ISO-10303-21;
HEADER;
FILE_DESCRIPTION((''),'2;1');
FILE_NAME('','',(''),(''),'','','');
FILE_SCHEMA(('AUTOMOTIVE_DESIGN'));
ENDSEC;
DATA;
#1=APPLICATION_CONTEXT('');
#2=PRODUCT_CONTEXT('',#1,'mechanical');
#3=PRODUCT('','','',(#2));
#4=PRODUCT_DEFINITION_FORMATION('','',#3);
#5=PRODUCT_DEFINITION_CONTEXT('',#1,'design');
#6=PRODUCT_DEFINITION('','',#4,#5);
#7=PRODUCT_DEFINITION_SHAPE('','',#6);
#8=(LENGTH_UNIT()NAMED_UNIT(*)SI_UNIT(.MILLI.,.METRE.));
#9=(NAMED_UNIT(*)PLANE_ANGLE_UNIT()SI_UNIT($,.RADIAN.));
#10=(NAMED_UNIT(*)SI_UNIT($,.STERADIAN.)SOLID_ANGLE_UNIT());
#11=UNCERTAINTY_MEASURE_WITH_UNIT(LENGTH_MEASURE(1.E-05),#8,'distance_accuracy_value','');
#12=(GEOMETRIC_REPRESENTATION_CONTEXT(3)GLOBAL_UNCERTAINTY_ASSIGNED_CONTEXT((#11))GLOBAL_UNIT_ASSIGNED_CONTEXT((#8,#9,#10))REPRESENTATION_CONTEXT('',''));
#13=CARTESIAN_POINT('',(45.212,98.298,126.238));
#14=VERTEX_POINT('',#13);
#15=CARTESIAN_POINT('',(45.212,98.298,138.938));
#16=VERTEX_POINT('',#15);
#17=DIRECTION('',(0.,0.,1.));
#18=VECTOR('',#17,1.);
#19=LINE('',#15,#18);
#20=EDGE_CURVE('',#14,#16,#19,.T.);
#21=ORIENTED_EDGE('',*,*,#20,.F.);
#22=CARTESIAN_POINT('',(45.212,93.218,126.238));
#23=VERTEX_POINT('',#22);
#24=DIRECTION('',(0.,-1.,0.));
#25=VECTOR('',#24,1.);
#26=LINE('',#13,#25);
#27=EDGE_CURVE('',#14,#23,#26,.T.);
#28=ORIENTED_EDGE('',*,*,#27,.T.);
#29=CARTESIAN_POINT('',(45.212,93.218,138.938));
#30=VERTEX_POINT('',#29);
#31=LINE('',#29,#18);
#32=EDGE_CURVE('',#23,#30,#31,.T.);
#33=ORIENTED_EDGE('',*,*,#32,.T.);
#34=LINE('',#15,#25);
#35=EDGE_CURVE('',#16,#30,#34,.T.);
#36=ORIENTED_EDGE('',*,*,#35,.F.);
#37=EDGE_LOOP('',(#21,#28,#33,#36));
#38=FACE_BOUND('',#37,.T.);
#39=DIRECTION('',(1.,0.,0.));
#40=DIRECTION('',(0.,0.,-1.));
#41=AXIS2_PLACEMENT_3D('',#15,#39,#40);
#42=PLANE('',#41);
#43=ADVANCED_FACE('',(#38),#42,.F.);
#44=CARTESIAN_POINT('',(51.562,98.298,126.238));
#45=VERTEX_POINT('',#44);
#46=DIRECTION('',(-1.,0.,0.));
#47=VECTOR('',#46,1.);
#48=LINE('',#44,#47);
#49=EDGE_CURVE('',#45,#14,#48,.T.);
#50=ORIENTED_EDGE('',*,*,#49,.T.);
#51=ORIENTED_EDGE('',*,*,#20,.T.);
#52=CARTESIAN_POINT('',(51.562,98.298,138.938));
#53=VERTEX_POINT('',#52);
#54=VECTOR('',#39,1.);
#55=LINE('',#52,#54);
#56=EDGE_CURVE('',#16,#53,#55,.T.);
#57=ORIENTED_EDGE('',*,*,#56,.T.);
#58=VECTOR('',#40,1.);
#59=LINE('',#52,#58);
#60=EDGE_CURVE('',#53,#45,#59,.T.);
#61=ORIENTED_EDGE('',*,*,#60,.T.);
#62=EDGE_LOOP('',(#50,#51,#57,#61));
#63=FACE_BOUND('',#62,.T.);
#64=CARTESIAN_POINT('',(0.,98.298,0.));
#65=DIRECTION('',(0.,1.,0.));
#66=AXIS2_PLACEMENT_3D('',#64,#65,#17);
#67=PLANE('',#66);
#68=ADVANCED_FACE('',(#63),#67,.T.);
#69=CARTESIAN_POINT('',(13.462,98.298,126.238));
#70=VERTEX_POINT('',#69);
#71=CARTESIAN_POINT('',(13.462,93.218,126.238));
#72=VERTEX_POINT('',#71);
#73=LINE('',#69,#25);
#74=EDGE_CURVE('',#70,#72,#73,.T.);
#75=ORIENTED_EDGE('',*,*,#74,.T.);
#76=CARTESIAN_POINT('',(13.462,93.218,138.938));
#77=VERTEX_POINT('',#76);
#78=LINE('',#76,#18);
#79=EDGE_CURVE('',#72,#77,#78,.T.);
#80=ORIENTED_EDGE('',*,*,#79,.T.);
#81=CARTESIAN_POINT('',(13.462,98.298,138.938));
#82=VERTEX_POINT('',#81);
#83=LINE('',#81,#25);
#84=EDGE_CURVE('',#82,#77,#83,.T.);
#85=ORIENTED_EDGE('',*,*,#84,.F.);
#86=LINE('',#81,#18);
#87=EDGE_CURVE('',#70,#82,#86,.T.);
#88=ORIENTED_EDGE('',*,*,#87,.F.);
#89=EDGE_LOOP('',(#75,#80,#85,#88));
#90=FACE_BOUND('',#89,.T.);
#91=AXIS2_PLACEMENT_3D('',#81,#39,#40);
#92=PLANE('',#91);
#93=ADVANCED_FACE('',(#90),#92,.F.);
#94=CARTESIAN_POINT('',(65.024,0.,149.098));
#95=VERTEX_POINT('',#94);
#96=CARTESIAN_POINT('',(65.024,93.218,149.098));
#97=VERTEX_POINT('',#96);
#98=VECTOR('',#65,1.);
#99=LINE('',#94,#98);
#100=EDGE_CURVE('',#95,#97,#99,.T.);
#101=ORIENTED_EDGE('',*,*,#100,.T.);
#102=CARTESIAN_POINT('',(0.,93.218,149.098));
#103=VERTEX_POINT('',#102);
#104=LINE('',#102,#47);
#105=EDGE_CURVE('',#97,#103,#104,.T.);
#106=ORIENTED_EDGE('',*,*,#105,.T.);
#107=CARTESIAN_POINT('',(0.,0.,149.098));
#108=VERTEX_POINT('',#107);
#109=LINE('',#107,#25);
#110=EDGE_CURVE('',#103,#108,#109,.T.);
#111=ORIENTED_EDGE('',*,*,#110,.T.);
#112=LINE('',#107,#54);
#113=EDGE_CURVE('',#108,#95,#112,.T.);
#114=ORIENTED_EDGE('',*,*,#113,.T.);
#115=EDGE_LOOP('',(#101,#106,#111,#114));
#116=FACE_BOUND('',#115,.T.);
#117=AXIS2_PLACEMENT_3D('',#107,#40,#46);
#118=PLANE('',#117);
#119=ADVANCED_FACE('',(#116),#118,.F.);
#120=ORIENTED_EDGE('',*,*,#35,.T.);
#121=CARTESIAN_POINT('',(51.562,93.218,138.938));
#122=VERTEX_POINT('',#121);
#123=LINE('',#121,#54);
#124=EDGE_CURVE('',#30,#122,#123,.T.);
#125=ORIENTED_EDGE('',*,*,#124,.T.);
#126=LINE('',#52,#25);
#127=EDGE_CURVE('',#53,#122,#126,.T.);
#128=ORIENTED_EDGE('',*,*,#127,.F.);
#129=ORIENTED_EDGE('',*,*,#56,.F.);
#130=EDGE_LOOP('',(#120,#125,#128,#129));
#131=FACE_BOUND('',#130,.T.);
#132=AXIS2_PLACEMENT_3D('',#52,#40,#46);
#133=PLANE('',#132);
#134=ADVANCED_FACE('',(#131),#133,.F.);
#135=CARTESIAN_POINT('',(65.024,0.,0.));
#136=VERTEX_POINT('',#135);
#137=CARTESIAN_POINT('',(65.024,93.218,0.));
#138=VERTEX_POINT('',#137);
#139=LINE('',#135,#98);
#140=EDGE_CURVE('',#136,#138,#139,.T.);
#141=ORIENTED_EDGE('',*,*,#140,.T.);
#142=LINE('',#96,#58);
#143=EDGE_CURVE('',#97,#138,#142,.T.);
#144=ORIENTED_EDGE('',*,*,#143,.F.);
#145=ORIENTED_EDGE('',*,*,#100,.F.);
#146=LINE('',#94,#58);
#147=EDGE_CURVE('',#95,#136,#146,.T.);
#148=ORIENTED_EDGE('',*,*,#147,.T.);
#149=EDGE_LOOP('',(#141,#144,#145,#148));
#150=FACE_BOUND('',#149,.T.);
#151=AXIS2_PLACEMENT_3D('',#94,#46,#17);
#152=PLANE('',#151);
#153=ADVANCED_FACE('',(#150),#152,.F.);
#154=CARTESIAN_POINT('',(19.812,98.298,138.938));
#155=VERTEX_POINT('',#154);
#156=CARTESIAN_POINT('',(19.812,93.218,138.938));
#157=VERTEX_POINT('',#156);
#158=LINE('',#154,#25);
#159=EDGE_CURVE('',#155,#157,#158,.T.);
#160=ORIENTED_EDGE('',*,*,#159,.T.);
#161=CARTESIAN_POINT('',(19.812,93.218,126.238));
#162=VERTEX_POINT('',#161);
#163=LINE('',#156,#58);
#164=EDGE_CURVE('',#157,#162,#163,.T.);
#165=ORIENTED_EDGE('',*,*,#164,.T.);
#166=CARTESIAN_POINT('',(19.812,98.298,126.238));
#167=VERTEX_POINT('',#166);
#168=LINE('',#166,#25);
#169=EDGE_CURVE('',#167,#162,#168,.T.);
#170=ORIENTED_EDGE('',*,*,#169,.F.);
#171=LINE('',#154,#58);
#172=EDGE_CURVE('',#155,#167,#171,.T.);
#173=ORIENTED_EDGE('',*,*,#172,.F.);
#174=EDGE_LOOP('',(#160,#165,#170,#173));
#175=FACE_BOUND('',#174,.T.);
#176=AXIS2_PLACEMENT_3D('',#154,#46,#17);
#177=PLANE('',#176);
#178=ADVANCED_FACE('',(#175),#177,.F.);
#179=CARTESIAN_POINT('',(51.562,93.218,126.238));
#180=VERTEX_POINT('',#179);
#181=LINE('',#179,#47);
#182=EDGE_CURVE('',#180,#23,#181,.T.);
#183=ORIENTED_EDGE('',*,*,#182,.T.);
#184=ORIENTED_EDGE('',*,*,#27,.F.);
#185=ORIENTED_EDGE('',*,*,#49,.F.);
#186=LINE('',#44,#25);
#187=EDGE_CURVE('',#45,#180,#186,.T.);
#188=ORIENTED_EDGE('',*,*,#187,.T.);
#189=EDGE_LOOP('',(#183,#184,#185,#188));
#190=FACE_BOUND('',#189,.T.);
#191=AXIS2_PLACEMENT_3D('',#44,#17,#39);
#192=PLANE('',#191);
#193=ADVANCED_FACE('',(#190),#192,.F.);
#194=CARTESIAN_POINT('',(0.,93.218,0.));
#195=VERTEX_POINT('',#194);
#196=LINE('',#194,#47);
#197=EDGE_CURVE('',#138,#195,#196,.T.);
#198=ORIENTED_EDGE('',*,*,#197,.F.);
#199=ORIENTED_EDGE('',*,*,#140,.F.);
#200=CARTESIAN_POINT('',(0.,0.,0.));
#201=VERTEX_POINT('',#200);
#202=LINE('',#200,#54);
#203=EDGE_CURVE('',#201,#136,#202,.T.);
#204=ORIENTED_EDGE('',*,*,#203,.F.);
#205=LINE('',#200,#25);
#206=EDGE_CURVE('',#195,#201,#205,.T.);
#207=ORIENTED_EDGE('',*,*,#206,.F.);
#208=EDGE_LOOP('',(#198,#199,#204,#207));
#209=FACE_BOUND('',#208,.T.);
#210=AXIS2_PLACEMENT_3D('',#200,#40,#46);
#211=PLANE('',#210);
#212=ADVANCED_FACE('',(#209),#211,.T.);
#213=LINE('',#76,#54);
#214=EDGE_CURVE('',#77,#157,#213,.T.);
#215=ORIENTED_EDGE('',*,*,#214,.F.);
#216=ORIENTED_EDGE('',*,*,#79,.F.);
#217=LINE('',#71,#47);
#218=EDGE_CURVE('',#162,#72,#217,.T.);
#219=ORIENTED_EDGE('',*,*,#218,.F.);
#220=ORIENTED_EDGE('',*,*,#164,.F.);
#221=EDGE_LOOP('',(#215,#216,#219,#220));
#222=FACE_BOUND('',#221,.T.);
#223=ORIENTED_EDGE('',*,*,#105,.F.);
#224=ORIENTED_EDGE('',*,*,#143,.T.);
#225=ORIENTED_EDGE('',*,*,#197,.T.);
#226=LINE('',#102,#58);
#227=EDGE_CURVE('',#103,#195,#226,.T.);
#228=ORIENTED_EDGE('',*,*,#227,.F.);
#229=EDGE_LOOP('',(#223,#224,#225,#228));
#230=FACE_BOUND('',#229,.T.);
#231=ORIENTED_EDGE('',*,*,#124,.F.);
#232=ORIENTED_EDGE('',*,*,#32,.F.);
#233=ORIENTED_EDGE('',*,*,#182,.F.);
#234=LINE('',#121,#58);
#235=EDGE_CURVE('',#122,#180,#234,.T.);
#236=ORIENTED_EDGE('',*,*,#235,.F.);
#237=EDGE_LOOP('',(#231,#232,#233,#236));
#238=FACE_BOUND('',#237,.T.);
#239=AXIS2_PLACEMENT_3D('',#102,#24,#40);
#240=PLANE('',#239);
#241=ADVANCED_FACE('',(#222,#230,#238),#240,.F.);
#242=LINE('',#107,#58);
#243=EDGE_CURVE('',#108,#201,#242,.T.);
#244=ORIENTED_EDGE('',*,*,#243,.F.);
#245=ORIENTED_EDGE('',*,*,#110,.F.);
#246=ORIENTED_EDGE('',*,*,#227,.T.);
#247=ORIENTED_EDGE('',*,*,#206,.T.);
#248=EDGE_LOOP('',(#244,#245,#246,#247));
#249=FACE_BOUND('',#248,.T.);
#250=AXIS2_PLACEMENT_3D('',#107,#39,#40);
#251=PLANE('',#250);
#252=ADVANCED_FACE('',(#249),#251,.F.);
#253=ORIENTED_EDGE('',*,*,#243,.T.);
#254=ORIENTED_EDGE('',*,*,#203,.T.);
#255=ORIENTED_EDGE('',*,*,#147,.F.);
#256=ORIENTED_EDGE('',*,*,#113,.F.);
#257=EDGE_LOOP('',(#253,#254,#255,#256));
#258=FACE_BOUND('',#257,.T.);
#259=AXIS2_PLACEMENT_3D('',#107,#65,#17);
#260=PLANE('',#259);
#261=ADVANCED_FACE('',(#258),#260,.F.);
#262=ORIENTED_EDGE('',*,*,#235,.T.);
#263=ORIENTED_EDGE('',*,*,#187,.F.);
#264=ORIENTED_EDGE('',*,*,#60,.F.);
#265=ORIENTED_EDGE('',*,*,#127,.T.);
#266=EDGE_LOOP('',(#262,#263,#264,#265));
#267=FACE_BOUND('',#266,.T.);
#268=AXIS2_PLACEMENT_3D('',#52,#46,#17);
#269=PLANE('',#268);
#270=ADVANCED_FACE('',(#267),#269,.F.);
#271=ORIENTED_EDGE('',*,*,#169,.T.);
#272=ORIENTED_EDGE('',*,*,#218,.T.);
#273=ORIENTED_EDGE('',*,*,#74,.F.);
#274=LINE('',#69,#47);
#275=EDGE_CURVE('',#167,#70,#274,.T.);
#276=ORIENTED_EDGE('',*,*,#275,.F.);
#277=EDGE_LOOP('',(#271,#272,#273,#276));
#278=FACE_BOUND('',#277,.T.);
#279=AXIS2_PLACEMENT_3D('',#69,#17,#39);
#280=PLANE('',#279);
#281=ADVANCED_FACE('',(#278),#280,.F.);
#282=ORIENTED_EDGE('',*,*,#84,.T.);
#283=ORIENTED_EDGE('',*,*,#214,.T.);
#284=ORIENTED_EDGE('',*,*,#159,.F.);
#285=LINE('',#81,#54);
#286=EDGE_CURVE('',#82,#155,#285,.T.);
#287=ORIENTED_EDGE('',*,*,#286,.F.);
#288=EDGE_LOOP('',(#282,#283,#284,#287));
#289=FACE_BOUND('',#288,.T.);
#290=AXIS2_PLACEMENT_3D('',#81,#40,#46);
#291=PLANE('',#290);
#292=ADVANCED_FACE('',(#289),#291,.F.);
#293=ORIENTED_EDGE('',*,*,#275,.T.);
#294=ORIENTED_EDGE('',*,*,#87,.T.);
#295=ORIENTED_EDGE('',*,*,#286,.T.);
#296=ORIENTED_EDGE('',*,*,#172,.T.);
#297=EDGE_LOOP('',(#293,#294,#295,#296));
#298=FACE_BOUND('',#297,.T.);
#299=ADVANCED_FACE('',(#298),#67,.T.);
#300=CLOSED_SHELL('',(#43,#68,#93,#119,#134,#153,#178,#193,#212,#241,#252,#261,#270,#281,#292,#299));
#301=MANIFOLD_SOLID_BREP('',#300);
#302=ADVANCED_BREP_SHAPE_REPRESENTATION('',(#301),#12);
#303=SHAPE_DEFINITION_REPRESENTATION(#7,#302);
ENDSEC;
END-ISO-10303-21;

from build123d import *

# Parameters (mm, degrees)
SKETCH1_W           = 65.024
SKETCH1_H           = 93.218
BOSS_EXTRUDE1_DEPTH = 149.098
SKETCH2_W           = 6.35
SKETCH2_H           = 12.7
BOSS_EXTRUDE2_DEPTH = 5.08


with BuildPart() as part:
    # Sketch1 → Boss-Extrude1 (new body)
    with BuildSketch(Plane.XY):
        with Locations((32.512, 46.609)):
            Rectangle(SKETCH1_W, SKETCH1_H)
    extrude(amount=BOSS_EXTRUDE1_DEPTH)

    # Sketch2 → Boss-Extrude2 (add)
    with BuildSketch(Plane(origin=(0, 93.218, 0), x_dir=(1, 0, 0), z_dir=(0, 1, 0))):
        with Locations((16.637, -132.588)):
            Rectangle(SKETCH2_W, SKETCH2_H)
        with Locations((48.387, -132.588)):
            Rectangle(SKETCH2_W, SKETCH2_H)
    extrude(amount=BOSS_EXTRUDE2_DEPTH)


solid = part.part
